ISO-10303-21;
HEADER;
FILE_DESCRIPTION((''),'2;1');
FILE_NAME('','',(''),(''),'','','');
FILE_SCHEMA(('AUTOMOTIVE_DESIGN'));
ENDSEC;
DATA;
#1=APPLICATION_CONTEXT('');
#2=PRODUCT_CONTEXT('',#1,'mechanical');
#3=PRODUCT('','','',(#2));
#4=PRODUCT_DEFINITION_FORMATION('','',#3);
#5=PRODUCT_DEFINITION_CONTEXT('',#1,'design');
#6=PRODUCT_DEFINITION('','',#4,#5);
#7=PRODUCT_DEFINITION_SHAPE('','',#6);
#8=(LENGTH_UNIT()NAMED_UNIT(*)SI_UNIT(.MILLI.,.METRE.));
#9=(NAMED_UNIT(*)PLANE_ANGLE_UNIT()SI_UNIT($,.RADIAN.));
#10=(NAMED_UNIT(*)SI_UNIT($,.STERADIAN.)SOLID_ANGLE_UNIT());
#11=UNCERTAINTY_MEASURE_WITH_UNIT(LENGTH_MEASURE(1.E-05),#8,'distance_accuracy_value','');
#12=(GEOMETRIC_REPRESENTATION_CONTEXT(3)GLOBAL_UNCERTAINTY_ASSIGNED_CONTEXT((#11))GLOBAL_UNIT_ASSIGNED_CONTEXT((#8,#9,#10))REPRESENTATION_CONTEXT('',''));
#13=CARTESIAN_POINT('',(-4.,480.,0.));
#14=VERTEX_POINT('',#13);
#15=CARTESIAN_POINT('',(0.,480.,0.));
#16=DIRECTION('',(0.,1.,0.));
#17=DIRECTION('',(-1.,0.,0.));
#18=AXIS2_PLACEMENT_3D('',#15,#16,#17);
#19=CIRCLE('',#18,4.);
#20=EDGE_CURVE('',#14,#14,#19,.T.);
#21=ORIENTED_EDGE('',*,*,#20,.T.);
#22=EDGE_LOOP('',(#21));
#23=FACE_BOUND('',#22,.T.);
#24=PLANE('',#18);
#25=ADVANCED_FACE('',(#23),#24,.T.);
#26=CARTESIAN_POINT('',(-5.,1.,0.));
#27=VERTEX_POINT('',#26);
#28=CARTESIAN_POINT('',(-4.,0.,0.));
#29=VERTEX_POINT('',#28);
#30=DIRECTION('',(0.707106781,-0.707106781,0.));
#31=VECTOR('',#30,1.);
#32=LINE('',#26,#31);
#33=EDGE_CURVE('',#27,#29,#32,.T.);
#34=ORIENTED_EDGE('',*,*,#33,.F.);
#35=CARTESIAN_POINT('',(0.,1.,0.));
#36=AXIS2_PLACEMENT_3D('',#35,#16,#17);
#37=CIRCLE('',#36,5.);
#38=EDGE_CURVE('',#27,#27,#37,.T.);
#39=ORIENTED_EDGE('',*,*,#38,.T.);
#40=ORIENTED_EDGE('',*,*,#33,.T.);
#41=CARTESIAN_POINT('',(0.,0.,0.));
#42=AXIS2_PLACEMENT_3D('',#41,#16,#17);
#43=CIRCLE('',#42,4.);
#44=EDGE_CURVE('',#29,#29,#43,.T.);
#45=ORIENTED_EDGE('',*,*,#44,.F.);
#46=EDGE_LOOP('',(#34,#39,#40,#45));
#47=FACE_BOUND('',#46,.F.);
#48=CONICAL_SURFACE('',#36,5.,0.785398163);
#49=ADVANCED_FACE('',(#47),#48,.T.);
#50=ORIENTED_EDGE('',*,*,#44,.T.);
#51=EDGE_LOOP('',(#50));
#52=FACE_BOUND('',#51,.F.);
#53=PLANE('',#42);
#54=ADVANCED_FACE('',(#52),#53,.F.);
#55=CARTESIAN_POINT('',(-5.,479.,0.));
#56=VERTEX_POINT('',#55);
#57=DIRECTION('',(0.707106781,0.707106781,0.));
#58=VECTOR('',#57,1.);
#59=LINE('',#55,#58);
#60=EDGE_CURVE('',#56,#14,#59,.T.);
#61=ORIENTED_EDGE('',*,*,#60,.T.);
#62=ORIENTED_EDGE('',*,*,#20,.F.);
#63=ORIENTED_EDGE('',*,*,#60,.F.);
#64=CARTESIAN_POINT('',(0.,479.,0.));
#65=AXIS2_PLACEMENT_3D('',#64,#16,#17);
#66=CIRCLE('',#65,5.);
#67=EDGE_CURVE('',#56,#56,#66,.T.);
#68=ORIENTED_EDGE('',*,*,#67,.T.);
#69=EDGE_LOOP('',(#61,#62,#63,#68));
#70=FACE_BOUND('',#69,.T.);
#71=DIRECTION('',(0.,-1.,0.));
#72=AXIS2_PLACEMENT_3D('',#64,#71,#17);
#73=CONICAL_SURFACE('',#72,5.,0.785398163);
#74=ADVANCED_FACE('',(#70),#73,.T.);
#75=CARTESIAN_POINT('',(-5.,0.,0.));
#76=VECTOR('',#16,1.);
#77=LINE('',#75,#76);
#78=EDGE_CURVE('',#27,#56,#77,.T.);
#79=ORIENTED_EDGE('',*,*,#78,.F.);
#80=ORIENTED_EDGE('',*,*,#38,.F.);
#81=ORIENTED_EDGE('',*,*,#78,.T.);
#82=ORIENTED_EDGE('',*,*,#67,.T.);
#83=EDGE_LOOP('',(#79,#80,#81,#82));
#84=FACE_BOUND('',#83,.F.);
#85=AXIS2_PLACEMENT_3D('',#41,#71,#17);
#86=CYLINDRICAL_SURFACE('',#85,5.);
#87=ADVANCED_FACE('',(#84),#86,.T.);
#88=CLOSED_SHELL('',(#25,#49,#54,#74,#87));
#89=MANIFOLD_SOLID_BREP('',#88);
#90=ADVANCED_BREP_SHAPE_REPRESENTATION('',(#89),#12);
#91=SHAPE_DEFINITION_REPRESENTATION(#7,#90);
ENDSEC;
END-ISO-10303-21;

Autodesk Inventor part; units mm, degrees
ref_plane "YZ Plane" through (0, 0, 0) normal (1, 0, 0) x (0, 1, 0)
ref_plane "XZ Plane" through (0, 0, 0) normal (0, 1, 0) x (-1, 0, 0)
ref_plane "XY Plane" through (0, 0, 0) normal (0, 0, 1) x (1, 0, 0)
sketch "Sketch1" plane through (0, 0, 0) normal (0, 1, 0) x (-1, 0, 0)
  circle A0 centre (0, 0) radius 5
  dimension "d0" = 10
extrude "Extrusion1" add sketch "Sketch1" along normal blind 480
chamfer "Chamfer1" distance 1 angle 45 2 edges at (5, 0, 0) (5, 480, 0)
properties part number "X-AXIS ROD" material "Stainless Steel, 440C"
